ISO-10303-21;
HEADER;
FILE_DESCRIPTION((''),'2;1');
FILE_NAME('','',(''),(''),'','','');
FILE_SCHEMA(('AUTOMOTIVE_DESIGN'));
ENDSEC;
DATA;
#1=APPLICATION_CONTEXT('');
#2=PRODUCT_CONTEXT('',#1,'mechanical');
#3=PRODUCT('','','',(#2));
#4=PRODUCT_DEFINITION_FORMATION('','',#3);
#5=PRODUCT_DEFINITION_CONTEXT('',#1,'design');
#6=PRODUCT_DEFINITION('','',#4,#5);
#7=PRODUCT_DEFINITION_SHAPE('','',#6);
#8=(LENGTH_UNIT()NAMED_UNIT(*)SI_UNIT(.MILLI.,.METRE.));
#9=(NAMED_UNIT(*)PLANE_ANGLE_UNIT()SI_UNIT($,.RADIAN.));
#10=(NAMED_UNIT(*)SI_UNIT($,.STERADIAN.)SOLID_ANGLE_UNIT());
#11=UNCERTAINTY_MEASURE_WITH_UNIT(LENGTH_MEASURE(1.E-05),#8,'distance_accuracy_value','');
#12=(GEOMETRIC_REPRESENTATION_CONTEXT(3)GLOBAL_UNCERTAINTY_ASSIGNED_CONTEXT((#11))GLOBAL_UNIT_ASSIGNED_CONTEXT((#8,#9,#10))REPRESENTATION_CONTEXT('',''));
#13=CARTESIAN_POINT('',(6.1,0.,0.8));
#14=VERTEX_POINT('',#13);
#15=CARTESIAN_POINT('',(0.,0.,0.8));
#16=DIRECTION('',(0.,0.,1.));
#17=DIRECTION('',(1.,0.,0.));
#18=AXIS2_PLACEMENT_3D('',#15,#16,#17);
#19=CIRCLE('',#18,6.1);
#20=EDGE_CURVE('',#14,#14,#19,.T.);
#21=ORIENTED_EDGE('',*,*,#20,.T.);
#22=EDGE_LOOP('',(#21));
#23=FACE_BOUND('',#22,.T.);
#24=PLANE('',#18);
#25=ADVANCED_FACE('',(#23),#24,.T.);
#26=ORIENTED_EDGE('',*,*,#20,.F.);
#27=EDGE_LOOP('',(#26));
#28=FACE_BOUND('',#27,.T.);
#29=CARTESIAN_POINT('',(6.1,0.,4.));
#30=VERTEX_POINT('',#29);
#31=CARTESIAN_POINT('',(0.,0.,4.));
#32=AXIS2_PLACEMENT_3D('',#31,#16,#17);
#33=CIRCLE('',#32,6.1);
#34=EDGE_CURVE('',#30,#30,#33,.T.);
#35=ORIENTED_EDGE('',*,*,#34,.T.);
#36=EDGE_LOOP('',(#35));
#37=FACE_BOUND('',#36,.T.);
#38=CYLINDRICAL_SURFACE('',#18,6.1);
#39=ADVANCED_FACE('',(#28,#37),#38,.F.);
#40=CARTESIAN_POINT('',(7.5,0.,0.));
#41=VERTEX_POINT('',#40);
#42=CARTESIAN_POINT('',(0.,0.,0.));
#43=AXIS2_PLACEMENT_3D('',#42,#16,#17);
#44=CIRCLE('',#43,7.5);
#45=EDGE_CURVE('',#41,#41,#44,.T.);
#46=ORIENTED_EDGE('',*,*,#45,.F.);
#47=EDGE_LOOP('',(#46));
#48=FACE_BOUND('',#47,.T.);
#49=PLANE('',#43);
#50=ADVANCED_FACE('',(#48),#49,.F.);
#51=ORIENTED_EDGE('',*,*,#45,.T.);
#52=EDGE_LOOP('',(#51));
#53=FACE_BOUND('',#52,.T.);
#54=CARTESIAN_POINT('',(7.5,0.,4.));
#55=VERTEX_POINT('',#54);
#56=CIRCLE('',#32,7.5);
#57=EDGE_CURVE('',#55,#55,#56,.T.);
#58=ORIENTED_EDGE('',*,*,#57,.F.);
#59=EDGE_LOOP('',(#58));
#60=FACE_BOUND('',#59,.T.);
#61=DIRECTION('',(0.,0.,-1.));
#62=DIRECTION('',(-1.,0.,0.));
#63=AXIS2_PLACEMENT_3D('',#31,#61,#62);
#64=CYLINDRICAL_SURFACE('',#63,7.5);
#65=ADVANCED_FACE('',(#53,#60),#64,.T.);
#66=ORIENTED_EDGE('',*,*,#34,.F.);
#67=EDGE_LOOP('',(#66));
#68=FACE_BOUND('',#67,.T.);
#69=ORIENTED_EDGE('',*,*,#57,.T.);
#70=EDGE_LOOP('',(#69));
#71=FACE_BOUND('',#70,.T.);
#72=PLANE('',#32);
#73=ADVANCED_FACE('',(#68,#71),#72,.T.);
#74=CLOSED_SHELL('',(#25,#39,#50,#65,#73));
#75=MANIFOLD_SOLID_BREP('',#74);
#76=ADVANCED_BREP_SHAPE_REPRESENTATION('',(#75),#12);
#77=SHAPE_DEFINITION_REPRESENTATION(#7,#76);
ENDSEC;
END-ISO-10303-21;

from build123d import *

# Parameters (mm, degrees)
SKETCH1_R           = 7.5
BOSS_EXTRUDE1_DEPTH = 4
SKETCH2_R           = 6.1
CUT_EXTRUDE1_DEPTH  = 3.2


with BuildPart() as part:
    # Sketch1 → Boss-Extrude1 (new body)
    with BuildSketch(Plane(origin=(0, 0, 0), x_dir=(0, 1, 0), z_dir=(0, 0, 1))):
        with Locations(Location((0, 0, 0), (0, 0, 270))):
            Circle(SKETCH1_R)
    extrude(amount=BOSS_EXTRUDE1_DEPTH)

    # Sketch2 → Cut-Extrude1 (cut)
    with BuildSketch(Plane.XY.offset(4)):
        Circle(SKETCH2_R)
    extrude(amount=-CUT_EXTRUDE1_DEPTH, mode=Mode.SUBTRACT)


solid = part.part
